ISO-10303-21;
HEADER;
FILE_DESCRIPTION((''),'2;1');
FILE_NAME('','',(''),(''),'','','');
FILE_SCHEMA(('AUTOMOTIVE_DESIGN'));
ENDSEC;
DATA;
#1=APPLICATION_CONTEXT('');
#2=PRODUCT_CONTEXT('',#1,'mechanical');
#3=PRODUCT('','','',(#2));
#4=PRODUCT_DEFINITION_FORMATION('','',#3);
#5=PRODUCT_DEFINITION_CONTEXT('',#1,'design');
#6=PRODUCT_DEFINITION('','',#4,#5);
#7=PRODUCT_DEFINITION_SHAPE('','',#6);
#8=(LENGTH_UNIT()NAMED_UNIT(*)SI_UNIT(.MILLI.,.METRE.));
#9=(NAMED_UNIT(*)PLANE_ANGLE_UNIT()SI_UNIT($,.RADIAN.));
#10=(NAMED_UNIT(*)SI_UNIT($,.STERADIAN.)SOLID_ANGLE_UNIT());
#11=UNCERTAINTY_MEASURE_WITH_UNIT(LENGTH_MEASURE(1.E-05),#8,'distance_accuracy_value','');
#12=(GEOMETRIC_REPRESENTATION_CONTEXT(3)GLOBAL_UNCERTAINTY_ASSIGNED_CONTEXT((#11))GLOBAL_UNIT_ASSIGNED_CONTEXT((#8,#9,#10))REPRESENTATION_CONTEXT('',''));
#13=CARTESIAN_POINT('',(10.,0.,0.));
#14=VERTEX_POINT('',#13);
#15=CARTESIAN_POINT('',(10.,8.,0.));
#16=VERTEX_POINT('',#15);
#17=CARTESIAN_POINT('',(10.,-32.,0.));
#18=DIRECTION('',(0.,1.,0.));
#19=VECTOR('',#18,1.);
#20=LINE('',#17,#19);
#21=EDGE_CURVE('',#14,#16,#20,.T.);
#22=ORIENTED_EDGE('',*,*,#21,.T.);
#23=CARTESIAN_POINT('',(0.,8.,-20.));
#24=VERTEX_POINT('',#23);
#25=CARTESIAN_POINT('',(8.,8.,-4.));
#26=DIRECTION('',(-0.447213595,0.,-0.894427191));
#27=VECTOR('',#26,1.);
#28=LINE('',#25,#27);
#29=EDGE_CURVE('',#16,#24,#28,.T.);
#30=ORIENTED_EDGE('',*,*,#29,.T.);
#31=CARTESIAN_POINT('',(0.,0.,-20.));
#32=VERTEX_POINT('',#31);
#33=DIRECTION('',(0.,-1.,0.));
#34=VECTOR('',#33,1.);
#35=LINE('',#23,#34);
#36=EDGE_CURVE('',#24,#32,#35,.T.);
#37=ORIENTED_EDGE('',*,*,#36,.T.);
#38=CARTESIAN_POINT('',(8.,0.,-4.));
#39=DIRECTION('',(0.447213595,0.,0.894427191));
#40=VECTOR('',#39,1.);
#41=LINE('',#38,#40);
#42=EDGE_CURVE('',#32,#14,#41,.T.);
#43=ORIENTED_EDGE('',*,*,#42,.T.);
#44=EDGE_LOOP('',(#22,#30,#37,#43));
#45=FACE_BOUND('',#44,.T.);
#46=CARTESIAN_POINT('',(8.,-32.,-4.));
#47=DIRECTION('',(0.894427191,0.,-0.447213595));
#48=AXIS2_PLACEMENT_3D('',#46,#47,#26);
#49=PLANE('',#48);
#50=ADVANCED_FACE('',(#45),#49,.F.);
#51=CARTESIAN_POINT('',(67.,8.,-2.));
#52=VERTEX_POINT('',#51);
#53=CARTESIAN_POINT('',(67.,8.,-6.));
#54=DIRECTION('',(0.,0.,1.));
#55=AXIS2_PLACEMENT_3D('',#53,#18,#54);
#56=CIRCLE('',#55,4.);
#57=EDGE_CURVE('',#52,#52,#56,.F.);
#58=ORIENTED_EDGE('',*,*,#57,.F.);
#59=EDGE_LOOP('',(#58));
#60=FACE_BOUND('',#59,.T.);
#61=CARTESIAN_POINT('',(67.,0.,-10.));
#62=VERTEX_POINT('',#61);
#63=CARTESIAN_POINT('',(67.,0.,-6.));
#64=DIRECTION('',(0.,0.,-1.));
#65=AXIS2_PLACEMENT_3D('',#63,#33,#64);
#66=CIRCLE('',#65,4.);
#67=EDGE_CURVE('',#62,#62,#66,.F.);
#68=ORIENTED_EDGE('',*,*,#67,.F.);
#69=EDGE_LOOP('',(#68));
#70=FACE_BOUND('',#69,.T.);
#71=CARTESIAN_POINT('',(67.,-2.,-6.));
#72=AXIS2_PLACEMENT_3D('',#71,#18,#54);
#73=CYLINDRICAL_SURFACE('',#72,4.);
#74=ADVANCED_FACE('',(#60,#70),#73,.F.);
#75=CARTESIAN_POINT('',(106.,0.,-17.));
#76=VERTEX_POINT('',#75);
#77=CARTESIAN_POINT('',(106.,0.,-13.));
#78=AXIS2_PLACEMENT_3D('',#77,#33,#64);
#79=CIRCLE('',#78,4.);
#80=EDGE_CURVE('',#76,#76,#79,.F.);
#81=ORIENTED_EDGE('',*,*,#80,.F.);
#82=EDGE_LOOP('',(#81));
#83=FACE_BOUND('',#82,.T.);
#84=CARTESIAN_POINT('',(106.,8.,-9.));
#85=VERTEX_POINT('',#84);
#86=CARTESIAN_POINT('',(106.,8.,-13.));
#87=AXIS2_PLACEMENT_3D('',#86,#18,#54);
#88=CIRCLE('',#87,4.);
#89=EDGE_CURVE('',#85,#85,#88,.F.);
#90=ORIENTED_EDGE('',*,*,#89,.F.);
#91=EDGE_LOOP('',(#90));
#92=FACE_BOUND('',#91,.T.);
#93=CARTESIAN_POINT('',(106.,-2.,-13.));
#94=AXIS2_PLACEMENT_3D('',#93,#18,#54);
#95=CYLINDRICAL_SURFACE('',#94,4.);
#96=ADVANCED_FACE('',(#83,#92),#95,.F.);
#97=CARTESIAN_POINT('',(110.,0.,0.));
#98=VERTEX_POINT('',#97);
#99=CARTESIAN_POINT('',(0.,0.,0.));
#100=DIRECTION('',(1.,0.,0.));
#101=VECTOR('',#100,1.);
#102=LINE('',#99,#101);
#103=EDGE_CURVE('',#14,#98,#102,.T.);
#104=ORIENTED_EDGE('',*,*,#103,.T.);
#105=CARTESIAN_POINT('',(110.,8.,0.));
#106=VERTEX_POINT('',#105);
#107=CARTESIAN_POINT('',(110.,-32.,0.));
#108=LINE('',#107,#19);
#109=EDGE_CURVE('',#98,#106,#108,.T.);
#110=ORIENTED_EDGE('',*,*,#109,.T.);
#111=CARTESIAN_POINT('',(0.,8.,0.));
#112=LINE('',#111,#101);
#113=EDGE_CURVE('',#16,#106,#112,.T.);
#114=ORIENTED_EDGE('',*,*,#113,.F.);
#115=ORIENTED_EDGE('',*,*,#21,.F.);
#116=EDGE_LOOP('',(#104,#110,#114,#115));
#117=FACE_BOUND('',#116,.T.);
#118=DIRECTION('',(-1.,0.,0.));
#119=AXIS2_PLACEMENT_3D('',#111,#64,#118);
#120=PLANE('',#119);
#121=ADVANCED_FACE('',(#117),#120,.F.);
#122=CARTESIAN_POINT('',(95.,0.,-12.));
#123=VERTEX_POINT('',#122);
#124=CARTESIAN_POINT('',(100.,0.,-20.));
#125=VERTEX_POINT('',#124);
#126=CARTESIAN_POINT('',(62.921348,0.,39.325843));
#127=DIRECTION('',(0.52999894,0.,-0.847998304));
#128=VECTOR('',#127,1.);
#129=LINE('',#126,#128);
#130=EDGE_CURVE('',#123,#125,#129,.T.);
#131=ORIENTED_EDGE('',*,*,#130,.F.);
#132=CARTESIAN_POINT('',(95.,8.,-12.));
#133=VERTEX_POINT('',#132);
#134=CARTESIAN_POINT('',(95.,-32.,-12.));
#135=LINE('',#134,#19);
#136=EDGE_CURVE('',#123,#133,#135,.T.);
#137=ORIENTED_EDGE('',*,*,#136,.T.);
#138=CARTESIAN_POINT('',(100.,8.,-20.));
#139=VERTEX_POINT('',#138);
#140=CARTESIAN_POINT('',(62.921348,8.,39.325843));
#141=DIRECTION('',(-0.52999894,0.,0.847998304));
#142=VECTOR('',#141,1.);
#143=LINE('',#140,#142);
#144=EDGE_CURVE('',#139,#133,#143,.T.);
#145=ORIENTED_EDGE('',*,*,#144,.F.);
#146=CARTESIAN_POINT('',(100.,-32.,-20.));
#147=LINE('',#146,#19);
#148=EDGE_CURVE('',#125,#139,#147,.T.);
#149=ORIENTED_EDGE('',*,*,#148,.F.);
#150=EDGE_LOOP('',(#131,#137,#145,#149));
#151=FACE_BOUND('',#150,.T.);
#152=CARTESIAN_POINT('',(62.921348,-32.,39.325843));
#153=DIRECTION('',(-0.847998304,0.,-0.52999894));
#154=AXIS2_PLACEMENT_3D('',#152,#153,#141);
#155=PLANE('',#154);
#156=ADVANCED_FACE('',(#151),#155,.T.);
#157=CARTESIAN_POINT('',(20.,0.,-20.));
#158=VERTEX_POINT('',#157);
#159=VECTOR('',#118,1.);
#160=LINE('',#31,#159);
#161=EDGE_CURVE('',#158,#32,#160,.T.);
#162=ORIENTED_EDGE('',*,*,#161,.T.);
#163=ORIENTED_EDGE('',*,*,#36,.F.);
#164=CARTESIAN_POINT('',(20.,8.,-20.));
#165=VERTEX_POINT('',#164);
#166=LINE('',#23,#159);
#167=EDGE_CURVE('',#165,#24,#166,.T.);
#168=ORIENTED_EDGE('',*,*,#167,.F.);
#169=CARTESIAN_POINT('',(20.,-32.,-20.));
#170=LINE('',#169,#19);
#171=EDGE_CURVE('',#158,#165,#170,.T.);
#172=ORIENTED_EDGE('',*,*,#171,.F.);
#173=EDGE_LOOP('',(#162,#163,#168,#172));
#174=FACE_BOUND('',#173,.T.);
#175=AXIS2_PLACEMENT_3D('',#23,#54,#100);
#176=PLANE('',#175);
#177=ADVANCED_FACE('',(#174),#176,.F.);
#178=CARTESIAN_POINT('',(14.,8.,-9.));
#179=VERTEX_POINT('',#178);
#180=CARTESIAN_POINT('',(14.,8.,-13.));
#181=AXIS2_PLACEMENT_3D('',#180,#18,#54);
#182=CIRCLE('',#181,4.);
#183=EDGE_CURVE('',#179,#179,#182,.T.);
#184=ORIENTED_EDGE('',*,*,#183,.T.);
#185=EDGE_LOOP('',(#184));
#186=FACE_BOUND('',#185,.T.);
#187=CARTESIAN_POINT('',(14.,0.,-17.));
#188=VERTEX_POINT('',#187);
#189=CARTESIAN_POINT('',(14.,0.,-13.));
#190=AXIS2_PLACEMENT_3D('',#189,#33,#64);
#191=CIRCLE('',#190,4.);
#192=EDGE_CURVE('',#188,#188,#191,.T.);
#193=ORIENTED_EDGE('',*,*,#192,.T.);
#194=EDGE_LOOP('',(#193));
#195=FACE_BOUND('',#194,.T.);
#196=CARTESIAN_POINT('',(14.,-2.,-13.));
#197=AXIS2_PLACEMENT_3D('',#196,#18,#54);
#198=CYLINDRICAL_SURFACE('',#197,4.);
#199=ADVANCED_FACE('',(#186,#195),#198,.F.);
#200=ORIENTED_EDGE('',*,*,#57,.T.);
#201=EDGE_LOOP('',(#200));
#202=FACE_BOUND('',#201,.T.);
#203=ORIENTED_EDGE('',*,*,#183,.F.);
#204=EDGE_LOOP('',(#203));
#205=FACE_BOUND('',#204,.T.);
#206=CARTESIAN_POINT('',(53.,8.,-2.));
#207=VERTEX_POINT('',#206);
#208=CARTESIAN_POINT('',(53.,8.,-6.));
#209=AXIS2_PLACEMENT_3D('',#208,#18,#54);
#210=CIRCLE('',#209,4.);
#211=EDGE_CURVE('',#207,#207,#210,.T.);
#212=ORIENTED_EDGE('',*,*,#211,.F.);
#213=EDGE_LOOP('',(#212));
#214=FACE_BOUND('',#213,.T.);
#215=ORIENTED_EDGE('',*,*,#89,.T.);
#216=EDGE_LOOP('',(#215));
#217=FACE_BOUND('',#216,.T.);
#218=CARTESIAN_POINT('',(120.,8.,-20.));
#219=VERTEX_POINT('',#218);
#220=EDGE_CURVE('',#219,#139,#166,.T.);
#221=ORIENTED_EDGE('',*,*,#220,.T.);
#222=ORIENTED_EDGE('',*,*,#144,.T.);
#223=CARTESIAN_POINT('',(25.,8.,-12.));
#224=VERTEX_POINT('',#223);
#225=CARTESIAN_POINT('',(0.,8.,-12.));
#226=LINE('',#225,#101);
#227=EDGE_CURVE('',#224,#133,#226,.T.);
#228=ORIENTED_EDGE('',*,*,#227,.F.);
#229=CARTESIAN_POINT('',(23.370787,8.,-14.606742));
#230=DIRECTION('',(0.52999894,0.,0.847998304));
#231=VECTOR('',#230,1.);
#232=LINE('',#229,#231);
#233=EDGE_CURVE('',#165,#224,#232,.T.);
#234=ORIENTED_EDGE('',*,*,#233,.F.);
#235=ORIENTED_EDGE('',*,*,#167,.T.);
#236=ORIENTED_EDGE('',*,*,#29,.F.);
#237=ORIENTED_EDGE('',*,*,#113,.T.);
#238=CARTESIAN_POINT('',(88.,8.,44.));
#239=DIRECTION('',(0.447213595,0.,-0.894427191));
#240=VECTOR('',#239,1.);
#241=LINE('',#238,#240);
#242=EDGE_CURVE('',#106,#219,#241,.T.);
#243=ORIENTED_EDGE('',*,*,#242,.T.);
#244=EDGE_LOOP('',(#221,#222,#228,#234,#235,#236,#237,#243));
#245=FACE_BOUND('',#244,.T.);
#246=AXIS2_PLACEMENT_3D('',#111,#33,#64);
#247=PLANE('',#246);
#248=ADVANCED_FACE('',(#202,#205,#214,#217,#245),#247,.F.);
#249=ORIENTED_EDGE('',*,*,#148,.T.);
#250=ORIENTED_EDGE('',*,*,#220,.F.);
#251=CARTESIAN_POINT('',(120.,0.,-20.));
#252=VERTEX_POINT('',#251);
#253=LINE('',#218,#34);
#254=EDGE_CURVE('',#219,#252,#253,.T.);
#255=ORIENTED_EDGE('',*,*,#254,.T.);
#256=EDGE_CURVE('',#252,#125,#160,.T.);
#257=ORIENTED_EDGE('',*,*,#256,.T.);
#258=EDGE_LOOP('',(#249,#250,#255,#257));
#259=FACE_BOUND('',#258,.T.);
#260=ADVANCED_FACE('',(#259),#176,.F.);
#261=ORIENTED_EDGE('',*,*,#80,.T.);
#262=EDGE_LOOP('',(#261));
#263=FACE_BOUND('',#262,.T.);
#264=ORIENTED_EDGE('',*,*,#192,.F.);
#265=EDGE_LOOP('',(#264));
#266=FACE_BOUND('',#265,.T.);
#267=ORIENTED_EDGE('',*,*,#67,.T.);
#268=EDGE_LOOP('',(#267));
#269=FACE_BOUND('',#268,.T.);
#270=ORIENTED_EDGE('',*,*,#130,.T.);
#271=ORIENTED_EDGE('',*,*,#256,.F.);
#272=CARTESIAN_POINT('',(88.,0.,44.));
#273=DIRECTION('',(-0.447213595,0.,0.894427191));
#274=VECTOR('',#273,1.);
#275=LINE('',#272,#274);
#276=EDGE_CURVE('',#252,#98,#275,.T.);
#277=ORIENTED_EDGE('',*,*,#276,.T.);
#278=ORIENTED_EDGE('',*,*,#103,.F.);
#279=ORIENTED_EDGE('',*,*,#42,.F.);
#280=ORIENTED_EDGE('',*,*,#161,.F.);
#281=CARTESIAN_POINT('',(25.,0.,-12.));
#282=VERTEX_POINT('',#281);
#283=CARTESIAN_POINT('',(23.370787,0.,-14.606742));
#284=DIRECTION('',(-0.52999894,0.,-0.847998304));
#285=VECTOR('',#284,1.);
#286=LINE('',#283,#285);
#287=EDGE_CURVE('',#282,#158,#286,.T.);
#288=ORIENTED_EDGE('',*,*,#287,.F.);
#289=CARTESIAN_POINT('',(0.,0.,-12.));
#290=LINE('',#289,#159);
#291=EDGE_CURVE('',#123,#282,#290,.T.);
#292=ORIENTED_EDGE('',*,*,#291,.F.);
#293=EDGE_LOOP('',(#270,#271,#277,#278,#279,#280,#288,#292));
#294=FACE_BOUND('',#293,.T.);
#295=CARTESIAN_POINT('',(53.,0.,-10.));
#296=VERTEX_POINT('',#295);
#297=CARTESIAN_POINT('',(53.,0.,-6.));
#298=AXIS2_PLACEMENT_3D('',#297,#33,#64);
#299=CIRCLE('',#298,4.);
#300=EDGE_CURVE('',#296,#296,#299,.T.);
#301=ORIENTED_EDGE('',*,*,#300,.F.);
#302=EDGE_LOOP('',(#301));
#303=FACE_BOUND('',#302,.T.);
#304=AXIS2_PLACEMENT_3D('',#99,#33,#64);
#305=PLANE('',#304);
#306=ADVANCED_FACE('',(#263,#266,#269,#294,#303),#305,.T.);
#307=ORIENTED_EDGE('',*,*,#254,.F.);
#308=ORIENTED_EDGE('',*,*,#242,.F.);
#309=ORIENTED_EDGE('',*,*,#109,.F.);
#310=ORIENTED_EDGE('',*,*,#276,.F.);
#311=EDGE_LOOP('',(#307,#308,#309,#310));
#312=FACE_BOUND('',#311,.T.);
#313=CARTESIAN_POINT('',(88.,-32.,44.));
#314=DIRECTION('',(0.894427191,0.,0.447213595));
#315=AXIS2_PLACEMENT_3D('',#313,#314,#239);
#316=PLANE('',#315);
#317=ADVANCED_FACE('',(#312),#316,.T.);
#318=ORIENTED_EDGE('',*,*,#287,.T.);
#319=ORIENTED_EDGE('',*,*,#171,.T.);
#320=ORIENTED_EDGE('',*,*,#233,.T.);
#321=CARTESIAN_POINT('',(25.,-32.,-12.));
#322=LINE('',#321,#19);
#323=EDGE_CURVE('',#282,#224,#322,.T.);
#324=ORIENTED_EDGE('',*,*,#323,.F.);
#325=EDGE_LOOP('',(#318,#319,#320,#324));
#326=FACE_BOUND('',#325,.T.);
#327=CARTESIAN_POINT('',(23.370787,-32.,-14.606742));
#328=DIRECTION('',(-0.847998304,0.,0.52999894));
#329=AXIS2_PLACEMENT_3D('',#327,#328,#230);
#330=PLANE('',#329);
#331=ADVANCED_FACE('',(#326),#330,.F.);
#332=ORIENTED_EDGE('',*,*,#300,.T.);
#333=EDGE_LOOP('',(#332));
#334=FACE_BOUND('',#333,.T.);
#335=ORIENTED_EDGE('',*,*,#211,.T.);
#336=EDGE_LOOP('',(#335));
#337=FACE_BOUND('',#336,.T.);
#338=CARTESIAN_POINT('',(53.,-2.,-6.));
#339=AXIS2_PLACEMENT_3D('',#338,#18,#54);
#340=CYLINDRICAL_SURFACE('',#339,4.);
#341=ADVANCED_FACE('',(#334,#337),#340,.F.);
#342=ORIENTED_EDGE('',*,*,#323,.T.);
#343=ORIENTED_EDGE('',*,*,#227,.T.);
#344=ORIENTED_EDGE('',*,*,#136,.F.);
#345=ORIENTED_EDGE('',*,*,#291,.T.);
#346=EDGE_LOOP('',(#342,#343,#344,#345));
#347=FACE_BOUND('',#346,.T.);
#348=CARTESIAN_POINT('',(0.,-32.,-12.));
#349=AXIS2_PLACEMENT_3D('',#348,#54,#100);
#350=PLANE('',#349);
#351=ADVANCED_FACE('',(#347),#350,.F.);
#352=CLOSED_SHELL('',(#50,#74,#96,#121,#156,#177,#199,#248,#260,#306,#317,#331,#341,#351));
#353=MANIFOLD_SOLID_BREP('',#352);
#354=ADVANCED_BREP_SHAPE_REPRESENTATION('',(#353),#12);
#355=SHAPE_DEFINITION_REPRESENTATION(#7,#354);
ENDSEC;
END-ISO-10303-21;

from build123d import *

# Parameters (mm, degrees)
SKETCH2_W           = 120
SKETCH2_H           = 20
BOSS_EXTRUDE1_DEPTH = 8
CUT_EXTRUDE1_DEPTH  = 40
SKETCH4_R           = 4
CUT_EXTRUDE2_DEPTH  = 10


with BuildPart() as part:
    # Sketch2 → Boss-Extrude1 (new body)
    with BuildSketch(Plane(origin=(0, 0, 0), x_dir=(1, 0, 0), z_dir=(0, 1, 0))):
        with Locations((60, 10)):
            Rectangle(SKETCH2_W, SKETCH2_H)
    extrude(amount=BOSS_EXTRUDE1_DEPTH)

    # Sketch3 → Cut-Extrude1 (cut)
    with BuildSketch(Plane(origin=(0, 8, 0), x_dir=(1, 0, 0), z_dir=(0, 1, 0))):
        Polygon((10, 0), (0, 20), (0, 0), align=None)
        Polygon((120, 0), (120, 20), (110, 0), align=None)
        Polygon((60, 12), (60, 20), (20, 20), (25, 12), align=None)
        Polygon((100, 20), (60, 20), (60, 12), (95, 12), align=None)
    extrude(amount=-CUT_EXTRUDE1_DEPTH, mode=Mode.SUBTRACT)

    # Sketch4 → Cut-Extrude2 (cut)
    with BuildSketch(Plane(origin=(0, 8, 0), x_dir=(1, 0, 0), z_dir=(0, 1, 0))):
        with Locations(Location((14, 13, 0), (0, 0, 270))):
            Circle(SKETCH4_R)
        with Locations(Location((53, 6, 0), (0, 0, 270))):
            Circle(SKETCH4_R)
        with Locations(Location((67, 6, 0), (0, 0, 270))):
            Circle(SKETCH4_R)
        with Locations(Location((106, 13, 0), (0, 0, 270))):
            Circle(SKETCH4_R)
    extrude(amount=-CUT_EXTRUDE2_DEPTH, mode=Mode.SUBTRACT)


solid = part.part
